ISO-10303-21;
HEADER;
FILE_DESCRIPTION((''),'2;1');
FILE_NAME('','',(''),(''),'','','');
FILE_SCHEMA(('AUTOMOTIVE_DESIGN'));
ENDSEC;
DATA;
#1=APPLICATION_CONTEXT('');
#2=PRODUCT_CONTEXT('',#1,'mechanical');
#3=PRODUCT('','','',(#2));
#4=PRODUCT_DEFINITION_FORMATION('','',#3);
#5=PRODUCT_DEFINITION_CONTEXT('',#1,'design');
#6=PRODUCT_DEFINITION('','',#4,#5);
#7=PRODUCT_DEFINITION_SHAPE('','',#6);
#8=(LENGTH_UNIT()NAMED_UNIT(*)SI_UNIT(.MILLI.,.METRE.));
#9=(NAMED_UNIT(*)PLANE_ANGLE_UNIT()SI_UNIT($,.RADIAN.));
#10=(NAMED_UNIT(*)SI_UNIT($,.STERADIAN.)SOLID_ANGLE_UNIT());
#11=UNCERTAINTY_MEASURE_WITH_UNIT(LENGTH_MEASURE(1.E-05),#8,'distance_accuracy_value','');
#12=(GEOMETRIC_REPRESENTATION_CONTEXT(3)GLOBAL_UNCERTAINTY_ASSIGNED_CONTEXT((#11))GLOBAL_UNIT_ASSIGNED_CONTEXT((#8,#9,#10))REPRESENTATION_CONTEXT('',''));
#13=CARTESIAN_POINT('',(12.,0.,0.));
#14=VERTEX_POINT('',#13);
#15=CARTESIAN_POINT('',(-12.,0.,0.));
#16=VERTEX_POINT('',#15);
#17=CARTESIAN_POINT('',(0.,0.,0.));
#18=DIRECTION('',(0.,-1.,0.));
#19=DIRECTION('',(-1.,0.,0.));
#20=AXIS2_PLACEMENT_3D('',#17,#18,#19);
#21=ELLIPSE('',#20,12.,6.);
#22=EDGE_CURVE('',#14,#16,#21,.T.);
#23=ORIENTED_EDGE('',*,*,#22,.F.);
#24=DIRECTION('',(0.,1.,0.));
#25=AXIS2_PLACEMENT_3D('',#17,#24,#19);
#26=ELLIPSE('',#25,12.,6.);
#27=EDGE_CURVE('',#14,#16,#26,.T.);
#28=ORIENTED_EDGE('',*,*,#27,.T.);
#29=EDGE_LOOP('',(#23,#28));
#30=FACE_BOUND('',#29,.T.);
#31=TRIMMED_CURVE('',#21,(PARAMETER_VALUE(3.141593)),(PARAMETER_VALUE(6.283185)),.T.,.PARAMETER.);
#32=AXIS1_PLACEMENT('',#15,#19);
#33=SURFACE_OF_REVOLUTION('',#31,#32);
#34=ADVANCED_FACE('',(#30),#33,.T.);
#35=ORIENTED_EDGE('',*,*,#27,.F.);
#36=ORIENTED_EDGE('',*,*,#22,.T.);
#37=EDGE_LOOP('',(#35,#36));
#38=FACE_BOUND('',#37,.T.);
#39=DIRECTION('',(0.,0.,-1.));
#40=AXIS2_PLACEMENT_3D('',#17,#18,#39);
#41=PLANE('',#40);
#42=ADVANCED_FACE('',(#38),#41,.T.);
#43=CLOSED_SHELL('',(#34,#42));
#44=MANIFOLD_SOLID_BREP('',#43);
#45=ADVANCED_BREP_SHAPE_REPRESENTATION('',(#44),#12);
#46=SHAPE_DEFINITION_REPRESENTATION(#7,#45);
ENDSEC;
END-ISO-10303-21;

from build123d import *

# Parameters (mm, degrees)
REVOLVE3_ANGLE = 180


with BuildPart() as part:
    # Sketch1 → Revolve3 (revolve)
    with BuildSketch(Plane(origin=(0, 0, 0), x_dir=(1, 0, 0), z_dir=(0, 1, 0))):
        with BuildLine():
            Line((-12, 0), (12, 0))
            add(Edge.make_bspline(
                [(12, 0), (12, 6), (0, 6), (-12, 6), (-12, 0)],
                knots=[3.141592654, 3.141592654, 3.141592654, 4.71238898, 4.71238898, 6.283185307, 6.283185307, 6.283185307], degree=2, weights=[1, 0.707106781, 1, 0.707106781, 1]))
        make_face()
    revolve(axis=Axis((-12, 0, 0), (1, 0, 0)), revolution_arc=REVOLVE3_ANGLE)


solid = part.part
